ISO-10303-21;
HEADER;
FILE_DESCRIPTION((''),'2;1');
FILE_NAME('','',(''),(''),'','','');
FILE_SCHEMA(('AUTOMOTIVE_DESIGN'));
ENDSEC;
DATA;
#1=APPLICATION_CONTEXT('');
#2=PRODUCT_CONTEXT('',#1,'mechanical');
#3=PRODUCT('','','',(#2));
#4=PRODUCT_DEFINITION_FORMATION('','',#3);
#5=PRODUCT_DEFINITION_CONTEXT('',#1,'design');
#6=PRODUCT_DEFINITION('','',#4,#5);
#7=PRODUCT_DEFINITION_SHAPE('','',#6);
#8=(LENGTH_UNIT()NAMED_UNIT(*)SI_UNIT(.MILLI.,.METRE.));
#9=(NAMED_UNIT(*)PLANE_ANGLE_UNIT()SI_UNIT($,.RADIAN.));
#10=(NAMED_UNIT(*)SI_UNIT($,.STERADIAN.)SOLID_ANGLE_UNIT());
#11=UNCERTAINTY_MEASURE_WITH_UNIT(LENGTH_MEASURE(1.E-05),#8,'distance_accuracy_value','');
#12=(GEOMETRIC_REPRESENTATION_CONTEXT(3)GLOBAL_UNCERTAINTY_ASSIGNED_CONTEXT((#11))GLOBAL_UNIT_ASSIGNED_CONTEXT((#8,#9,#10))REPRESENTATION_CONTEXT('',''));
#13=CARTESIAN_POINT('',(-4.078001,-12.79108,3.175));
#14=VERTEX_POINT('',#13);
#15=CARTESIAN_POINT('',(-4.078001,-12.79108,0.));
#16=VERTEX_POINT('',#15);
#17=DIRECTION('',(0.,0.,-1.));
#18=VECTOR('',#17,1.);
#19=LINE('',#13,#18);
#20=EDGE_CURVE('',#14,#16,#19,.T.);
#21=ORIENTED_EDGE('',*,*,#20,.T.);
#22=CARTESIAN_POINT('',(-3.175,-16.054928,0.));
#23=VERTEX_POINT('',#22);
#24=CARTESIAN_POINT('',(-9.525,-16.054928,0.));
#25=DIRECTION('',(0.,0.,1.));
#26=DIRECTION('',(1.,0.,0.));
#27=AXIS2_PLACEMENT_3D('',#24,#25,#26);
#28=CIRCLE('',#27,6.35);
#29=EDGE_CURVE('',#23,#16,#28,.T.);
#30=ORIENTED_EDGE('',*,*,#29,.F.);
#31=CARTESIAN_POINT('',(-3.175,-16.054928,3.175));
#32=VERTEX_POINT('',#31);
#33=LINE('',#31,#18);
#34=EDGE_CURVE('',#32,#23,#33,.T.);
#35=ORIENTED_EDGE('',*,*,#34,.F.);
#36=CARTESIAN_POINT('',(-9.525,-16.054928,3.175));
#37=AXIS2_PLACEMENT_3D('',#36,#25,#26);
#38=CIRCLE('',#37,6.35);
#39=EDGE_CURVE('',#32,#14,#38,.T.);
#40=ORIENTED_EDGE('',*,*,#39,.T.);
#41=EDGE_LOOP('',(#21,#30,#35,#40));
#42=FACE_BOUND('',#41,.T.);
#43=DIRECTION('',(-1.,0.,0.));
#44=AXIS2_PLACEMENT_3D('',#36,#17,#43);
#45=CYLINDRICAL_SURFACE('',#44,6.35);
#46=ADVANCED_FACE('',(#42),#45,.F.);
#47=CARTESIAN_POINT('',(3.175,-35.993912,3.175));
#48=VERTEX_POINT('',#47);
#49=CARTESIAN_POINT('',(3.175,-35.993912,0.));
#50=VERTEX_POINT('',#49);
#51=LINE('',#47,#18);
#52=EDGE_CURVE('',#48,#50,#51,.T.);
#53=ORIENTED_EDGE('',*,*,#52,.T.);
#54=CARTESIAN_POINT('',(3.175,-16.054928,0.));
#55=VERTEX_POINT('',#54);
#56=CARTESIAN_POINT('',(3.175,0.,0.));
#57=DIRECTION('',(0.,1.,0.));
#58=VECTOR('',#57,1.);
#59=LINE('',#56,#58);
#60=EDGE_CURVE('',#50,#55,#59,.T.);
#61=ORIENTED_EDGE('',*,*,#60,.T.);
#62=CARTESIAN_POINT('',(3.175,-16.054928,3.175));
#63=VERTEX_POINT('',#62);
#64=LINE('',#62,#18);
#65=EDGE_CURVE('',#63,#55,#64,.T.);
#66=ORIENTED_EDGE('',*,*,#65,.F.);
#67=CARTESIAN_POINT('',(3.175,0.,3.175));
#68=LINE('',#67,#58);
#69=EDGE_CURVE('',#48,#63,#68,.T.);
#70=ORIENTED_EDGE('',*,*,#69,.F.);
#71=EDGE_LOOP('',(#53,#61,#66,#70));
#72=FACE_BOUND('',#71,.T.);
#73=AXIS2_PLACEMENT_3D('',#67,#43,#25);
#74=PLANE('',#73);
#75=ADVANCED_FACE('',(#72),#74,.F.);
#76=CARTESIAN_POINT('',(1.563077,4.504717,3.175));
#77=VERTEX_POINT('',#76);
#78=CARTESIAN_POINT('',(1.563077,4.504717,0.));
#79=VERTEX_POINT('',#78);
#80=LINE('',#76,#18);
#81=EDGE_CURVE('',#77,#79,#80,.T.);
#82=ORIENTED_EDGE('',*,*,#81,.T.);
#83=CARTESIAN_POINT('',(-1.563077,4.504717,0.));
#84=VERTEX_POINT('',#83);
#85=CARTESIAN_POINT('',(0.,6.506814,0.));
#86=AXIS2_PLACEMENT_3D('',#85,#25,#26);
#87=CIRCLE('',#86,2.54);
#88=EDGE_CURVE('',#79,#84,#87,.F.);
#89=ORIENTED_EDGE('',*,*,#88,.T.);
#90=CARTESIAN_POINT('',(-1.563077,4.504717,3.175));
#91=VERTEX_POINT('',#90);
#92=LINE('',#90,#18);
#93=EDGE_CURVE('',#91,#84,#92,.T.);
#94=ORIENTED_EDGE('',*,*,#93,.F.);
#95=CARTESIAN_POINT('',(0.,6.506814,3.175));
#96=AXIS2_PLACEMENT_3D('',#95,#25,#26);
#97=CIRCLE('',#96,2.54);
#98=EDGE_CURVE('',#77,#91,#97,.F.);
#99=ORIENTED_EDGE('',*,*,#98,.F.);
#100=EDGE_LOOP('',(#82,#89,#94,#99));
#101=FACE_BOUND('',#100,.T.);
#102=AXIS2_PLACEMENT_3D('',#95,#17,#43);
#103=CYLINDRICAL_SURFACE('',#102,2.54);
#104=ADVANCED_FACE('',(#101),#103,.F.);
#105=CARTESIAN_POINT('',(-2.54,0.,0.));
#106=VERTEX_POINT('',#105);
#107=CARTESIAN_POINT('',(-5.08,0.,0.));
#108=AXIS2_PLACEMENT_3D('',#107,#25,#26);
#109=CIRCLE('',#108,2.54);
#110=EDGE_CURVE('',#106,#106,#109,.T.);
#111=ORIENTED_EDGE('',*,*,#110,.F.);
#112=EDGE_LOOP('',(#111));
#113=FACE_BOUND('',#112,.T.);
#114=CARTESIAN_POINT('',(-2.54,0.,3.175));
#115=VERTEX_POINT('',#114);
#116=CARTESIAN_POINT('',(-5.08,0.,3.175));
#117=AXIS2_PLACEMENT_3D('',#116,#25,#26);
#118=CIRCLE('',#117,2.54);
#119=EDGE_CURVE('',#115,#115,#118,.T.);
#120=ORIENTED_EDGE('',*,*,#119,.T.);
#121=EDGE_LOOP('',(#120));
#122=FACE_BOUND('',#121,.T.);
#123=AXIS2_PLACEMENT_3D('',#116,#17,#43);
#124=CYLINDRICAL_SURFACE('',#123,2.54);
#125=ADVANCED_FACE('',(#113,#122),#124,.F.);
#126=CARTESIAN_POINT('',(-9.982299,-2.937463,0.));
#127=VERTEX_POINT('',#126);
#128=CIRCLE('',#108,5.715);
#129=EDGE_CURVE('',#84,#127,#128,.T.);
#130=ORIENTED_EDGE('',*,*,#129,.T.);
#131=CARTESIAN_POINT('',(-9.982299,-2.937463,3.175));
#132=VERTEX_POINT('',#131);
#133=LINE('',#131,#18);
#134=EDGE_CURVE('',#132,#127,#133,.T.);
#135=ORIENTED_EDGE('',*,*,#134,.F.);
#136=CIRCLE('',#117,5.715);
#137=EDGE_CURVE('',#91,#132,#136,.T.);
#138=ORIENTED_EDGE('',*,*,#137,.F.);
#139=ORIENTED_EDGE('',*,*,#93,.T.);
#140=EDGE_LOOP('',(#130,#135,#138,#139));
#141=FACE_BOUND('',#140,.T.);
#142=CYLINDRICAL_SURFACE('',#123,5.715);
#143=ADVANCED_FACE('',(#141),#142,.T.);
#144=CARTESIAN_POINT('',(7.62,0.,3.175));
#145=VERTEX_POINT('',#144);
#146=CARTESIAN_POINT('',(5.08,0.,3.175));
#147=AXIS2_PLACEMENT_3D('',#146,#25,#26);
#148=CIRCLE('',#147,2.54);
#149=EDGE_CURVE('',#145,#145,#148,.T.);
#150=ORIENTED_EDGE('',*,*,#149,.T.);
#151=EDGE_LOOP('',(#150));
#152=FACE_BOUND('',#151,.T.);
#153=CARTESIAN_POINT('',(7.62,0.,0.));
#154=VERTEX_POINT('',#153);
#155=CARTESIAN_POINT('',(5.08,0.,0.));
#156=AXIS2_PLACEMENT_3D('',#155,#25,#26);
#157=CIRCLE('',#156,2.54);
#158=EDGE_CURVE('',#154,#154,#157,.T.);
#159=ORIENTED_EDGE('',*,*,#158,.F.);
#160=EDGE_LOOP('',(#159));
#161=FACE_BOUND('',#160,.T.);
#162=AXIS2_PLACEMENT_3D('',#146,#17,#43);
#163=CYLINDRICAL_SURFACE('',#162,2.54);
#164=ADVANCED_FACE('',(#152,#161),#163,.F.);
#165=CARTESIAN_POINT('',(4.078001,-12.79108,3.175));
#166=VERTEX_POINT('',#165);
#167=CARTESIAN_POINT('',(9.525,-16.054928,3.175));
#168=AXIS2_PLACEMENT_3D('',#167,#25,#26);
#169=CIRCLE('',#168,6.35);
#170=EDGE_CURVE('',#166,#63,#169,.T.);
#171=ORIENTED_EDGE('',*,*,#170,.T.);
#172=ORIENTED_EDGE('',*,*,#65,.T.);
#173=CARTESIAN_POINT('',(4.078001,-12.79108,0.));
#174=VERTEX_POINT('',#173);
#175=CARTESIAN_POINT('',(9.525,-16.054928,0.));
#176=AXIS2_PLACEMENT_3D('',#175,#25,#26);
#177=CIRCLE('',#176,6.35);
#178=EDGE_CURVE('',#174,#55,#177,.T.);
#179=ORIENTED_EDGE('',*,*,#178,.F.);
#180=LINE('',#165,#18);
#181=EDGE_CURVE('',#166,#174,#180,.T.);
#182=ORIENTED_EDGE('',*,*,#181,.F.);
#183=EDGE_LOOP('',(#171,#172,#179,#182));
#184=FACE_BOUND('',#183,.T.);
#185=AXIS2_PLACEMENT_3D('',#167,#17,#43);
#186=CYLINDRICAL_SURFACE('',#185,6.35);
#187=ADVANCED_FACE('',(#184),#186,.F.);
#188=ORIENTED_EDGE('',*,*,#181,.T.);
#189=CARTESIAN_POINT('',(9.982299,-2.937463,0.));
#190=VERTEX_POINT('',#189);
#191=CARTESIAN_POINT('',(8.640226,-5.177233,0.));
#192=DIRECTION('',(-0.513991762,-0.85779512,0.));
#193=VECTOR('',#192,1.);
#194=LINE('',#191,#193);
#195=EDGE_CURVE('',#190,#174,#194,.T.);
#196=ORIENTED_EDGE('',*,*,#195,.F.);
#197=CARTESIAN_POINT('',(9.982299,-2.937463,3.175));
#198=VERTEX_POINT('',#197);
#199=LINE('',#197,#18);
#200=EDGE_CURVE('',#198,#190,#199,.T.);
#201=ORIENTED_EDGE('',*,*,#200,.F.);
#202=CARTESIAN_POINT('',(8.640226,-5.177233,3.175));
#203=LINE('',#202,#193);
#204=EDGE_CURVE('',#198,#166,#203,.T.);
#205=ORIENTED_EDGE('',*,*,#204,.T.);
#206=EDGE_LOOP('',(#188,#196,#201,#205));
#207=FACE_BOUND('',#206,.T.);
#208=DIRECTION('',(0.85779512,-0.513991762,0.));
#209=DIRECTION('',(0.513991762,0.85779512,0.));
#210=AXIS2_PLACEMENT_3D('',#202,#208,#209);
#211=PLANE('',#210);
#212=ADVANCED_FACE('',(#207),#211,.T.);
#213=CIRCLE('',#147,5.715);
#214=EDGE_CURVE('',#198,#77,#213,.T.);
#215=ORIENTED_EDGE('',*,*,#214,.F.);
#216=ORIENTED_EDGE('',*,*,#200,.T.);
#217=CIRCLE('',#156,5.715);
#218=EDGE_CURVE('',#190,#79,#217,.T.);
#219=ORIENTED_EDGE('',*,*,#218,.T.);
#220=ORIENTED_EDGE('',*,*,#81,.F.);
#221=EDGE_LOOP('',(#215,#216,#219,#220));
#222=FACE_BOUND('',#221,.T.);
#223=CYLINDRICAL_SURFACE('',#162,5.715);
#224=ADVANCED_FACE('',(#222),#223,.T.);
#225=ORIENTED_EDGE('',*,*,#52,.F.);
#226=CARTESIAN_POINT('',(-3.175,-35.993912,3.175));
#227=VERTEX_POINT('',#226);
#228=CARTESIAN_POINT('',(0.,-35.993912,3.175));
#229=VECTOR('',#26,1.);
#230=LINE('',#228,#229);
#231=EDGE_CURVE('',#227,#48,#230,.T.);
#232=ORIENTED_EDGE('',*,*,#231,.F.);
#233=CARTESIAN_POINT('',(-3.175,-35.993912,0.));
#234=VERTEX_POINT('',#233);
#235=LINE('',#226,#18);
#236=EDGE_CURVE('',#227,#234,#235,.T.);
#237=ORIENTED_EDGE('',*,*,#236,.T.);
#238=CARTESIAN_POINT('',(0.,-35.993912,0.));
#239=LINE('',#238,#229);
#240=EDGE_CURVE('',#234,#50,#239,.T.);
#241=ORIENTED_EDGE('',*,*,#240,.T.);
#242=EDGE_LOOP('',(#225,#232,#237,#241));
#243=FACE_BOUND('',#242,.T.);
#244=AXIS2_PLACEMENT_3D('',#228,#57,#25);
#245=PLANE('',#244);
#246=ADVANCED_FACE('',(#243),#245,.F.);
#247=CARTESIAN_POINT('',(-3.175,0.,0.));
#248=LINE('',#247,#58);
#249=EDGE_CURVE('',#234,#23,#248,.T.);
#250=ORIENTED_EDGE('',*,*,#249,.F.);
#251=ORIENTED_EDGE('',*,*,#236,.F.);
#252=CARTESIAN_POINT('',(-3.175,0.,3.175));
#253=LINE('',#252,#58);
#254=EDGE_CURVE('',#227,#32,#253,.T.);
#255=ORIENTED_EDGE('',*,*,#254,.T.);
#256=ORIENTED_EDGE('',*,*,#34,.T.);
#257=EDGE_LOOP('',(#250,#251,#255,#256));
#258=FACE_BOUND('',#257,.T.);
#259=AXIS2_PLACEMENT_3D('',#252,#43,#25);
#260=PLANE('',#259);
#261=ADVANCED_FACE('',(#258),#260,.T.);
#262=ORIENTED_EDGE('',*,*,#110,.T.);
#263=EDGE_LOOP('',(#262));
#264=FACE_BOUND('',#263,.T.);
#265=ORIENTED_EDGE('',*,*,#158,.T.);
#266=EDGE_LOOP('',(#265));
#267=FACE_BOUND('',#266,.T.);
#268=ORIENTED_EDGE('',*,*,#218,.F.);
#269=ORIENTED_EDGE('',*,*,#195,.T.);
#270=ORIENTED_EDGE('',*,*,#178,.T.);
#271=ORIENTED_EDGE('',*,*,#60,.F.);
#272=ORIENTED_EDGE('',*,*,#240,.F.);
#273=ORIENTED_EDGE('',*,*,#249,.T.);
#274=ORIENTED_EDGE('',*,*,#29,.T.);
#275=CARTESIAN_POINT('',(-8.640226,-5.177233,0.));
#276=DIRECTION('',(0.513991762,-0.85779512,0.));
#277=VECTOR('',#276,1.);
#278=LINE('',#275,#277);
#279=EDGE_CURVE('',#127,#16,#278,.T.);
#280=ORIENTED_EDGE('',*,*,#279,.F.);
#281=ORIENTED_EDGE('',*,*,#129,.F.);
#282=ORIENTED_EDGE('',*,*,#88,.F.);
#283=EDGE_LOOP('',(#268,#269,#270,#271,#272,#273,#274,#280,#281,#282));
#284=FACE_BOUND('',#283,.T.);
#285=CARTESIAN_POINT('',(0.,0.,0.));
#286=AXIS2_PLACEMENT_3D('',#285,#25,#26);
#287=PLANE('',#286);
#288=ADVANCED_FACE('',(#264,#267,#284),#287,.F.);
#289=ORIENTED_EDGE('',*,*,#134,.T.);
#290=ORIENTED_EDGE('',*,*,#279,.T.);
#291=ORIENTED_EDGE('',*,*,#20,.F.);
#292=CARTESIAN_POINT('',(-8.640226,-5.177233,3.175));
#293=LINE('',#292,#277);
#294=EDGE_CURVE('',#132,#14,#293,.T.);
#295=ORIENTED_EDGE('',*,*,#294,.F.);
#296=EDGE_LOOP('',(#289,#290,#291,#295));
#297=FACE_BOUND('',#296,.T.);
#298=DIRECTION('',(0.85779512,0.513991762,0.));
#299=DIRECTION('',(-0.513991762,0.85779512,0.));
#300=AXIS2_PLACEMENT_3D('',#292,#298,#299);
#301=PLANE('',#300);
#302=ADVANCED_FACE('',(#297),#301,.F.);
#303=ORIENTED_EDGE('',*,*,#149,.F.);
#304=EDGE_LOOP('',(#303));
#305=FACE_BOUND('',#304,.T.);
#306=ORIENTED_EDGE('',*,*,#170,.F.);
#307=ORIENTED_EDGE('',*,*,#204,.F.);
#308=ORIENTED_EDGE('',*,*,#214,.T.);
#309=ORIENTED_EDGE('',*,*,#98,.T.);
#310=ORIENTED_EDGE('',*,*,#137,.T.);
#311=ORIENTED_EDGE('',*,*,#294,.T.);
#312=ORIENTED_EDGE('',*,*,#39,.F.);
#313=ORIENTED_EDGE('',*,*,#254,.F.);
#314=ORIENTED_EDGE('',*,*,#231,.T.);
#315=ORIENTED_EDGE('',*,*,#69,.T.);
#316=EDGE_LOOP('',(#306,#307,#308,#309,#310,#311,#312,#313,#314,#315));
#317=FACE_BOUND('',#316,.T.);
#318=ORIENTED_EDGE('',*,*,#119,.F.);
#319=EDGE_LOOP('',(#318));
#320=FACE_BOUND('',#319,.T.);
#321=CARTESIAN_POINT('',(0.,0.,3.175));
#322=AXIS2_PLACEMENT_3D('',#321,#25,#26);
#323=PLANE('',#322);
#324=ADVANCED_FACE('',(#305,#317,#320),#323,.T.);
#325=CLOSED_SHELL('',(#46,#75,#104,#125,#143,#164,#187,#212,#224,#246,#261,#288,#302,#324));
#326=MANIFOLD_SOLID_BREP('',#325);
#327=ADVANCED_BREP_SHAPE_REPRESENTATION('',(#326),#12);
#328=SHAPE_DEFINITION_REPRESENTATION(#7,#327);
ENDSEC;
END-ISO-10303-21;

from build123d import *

# Parameters (mm, degrees)
SKETCH1_R           = 2.54
BOSS_EXTRUDE1_DEPTH = 3.175


with BuildPart() as part:
    # Sketch1 → Boss-Extrude1 (new body)
    with BuildSketch(Plane.XY):
        with BuildLine():
            Line((-9.982299112, -2.937462922), (-4.078000987, -12.791080219))
            ThreePointArc((-4.078000987, -12.791080219), (-3.40491243, -14.361697822), (-3.175, -16.05492791))
            Line((-3.175, -16.05492791), (-3.175, -35.993911504))
            Line((-3.175, -35.993911504), (3.175, -35.993911504))
            Line((3.175, -35.993911504), (3.175, -16.05492791))
            ThreePointArc((3.175, -16.05492791), (3.40491243, -14.361697822), (4.078000987, -12.791080219))
            Line((4.078000987, -12.791080219), (9.982299112, -2.937462922))
            ThreePointArc((9.982299112, -2.937462922), (8.865013598, 4.281926793), (1.563076923, 4.504717202))
            ThreePointArc((1.563076923, 4.504717202), (0, 3.966813736), (-1.563076923, 4.504717202))
            ThreePointArc((-1.563076923, 4.504717202), (-8.865013598, 4.281926793), (-9.982299112, -2.937462922))
        make_face()
        with Locations((5.08, 0)):
            Circle(SKETCH1_R, mode=Mode.SUBTRACT)
        with Locations((-5.08, 0)):
            Circle(SKETCH1_R, mode=Mode.SUBTRACT)
    extrude(amount=BOSS_EXTRUDE1_DEPTH)


solid = part.part
